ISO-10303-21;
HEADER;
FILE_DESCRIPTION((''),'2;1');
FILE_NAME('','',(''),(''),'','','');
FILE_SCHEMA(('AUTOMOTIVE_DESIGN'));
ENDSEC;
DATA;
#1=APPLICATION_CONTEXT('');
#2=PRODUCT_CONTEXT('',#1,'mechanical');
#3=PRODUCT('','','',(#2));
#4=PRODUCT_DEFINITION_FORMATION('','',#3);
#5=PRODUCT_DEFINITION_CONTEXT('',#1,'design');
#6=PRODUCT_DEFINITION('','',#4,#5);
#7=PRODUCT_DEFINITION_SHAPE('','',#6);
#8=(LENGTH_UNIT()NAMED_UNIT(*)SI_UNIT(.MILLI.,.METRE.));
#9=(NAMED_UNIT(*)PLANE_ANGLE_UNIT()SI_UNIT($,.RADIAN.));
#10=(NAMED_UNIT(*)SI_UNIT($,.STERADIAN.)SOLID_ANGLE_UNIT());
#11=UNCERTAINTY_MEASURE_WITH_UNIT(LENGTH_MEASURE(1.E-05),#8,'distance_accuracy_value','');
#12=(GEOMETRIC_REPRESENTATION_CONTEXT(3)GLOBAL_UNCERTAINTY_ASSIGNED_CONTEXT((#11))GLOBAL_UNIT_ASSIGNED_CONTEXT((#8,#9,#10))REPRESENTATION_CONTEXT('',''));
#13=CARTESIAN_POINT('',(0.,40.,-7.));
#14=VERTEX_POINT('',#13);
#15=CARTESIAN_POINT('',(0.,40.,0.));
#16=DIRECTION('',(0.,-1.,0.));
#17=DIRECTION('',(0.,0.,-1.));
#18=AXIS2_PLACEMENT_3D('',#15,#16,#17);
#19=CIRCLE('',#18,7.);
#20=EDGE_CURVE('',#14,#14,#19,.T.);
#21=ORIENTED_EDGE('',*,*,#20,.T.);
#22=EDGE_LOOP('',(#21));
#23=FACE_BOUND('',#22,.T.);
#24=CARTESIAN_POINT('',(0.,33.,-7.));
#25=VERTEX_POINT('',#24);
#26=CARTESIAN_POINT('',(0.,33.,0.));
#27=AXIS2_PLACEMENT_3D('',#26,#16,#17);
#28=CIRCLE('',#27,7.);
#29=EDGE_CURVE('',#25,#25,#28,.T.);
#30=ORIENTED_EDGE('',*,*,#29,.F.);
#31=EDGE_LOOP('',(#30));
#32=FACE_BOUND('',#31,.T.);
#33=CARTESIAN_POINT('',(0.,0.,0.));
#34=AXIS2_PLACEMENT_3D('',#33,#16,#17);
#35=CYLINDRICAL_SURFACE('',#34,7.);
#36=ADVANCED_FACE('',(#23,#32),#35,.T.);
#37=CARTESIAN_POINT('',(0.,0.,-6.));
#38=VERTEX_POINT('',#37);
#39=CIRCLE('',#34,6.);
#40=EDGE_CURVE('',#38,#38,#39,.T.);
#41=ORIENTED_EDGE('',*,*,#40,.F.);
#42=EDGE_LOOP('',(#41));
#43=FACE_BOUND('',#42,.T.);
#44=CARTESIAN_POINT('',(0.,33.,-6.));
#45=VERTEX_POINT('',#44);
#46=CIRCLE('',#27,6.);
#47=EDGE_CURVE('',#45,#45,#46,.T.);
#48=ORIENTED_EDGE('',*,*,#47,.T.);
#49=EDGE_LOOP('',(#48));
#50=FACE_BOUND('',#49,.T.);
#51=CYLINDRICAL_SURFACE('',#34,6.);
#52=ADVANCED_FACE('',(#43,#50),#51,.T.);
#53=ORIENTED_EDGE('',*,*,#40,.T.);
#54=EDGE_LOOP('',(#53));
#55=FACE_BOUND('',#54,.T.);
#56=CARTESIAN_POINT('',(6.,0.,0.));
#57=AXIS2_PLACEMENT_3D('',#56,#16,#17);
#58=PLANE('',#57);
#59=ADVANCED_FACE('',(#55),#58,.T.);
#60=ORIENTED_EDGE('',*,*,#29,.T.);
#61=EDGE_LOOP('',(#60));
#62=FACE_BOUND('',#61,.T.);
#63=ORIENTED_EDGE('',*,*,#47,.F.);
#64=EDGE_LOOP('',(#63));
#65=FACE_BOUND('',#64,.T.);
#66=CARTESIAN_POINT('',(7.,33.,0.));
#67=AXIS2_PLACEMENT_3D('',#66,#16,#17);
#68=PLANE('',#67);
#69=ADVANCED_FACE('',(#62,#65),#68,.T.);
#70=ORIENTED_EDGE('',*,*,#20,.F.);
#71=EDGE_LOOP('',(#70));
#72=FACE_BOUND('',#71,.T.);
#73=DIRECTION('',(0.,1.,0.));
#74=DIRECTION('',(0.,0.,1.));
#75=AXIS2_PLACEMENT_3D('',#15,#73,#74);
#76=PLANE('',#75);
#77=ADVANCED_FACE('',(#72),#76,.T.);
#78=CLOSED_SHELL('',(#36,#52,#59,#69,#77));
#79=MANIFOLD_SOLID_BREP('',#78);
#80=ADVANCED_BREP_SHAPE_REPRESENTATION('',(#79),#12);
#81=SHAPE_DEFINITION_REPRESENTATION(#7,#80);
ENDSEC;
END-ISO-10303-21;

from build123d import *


with BuildPart() as part:
    # Sketch1 → Revolve1 (revolve)
    with BuildSketch(Plane.XY, mode=Mode.PRIVATE) as revolve1_sk:
        Polygon((0, 0), (0, 40), (7, 40), (7, 33), (6, 33), (6, 0), align=None)
    revolve(revolve1_sk.sketch.rotate(Axis((0, 0, 0), (0, 1, 0)), 90), axis=Axis((0, 0, 0), (0, 1, 0)))


solid = part.part
